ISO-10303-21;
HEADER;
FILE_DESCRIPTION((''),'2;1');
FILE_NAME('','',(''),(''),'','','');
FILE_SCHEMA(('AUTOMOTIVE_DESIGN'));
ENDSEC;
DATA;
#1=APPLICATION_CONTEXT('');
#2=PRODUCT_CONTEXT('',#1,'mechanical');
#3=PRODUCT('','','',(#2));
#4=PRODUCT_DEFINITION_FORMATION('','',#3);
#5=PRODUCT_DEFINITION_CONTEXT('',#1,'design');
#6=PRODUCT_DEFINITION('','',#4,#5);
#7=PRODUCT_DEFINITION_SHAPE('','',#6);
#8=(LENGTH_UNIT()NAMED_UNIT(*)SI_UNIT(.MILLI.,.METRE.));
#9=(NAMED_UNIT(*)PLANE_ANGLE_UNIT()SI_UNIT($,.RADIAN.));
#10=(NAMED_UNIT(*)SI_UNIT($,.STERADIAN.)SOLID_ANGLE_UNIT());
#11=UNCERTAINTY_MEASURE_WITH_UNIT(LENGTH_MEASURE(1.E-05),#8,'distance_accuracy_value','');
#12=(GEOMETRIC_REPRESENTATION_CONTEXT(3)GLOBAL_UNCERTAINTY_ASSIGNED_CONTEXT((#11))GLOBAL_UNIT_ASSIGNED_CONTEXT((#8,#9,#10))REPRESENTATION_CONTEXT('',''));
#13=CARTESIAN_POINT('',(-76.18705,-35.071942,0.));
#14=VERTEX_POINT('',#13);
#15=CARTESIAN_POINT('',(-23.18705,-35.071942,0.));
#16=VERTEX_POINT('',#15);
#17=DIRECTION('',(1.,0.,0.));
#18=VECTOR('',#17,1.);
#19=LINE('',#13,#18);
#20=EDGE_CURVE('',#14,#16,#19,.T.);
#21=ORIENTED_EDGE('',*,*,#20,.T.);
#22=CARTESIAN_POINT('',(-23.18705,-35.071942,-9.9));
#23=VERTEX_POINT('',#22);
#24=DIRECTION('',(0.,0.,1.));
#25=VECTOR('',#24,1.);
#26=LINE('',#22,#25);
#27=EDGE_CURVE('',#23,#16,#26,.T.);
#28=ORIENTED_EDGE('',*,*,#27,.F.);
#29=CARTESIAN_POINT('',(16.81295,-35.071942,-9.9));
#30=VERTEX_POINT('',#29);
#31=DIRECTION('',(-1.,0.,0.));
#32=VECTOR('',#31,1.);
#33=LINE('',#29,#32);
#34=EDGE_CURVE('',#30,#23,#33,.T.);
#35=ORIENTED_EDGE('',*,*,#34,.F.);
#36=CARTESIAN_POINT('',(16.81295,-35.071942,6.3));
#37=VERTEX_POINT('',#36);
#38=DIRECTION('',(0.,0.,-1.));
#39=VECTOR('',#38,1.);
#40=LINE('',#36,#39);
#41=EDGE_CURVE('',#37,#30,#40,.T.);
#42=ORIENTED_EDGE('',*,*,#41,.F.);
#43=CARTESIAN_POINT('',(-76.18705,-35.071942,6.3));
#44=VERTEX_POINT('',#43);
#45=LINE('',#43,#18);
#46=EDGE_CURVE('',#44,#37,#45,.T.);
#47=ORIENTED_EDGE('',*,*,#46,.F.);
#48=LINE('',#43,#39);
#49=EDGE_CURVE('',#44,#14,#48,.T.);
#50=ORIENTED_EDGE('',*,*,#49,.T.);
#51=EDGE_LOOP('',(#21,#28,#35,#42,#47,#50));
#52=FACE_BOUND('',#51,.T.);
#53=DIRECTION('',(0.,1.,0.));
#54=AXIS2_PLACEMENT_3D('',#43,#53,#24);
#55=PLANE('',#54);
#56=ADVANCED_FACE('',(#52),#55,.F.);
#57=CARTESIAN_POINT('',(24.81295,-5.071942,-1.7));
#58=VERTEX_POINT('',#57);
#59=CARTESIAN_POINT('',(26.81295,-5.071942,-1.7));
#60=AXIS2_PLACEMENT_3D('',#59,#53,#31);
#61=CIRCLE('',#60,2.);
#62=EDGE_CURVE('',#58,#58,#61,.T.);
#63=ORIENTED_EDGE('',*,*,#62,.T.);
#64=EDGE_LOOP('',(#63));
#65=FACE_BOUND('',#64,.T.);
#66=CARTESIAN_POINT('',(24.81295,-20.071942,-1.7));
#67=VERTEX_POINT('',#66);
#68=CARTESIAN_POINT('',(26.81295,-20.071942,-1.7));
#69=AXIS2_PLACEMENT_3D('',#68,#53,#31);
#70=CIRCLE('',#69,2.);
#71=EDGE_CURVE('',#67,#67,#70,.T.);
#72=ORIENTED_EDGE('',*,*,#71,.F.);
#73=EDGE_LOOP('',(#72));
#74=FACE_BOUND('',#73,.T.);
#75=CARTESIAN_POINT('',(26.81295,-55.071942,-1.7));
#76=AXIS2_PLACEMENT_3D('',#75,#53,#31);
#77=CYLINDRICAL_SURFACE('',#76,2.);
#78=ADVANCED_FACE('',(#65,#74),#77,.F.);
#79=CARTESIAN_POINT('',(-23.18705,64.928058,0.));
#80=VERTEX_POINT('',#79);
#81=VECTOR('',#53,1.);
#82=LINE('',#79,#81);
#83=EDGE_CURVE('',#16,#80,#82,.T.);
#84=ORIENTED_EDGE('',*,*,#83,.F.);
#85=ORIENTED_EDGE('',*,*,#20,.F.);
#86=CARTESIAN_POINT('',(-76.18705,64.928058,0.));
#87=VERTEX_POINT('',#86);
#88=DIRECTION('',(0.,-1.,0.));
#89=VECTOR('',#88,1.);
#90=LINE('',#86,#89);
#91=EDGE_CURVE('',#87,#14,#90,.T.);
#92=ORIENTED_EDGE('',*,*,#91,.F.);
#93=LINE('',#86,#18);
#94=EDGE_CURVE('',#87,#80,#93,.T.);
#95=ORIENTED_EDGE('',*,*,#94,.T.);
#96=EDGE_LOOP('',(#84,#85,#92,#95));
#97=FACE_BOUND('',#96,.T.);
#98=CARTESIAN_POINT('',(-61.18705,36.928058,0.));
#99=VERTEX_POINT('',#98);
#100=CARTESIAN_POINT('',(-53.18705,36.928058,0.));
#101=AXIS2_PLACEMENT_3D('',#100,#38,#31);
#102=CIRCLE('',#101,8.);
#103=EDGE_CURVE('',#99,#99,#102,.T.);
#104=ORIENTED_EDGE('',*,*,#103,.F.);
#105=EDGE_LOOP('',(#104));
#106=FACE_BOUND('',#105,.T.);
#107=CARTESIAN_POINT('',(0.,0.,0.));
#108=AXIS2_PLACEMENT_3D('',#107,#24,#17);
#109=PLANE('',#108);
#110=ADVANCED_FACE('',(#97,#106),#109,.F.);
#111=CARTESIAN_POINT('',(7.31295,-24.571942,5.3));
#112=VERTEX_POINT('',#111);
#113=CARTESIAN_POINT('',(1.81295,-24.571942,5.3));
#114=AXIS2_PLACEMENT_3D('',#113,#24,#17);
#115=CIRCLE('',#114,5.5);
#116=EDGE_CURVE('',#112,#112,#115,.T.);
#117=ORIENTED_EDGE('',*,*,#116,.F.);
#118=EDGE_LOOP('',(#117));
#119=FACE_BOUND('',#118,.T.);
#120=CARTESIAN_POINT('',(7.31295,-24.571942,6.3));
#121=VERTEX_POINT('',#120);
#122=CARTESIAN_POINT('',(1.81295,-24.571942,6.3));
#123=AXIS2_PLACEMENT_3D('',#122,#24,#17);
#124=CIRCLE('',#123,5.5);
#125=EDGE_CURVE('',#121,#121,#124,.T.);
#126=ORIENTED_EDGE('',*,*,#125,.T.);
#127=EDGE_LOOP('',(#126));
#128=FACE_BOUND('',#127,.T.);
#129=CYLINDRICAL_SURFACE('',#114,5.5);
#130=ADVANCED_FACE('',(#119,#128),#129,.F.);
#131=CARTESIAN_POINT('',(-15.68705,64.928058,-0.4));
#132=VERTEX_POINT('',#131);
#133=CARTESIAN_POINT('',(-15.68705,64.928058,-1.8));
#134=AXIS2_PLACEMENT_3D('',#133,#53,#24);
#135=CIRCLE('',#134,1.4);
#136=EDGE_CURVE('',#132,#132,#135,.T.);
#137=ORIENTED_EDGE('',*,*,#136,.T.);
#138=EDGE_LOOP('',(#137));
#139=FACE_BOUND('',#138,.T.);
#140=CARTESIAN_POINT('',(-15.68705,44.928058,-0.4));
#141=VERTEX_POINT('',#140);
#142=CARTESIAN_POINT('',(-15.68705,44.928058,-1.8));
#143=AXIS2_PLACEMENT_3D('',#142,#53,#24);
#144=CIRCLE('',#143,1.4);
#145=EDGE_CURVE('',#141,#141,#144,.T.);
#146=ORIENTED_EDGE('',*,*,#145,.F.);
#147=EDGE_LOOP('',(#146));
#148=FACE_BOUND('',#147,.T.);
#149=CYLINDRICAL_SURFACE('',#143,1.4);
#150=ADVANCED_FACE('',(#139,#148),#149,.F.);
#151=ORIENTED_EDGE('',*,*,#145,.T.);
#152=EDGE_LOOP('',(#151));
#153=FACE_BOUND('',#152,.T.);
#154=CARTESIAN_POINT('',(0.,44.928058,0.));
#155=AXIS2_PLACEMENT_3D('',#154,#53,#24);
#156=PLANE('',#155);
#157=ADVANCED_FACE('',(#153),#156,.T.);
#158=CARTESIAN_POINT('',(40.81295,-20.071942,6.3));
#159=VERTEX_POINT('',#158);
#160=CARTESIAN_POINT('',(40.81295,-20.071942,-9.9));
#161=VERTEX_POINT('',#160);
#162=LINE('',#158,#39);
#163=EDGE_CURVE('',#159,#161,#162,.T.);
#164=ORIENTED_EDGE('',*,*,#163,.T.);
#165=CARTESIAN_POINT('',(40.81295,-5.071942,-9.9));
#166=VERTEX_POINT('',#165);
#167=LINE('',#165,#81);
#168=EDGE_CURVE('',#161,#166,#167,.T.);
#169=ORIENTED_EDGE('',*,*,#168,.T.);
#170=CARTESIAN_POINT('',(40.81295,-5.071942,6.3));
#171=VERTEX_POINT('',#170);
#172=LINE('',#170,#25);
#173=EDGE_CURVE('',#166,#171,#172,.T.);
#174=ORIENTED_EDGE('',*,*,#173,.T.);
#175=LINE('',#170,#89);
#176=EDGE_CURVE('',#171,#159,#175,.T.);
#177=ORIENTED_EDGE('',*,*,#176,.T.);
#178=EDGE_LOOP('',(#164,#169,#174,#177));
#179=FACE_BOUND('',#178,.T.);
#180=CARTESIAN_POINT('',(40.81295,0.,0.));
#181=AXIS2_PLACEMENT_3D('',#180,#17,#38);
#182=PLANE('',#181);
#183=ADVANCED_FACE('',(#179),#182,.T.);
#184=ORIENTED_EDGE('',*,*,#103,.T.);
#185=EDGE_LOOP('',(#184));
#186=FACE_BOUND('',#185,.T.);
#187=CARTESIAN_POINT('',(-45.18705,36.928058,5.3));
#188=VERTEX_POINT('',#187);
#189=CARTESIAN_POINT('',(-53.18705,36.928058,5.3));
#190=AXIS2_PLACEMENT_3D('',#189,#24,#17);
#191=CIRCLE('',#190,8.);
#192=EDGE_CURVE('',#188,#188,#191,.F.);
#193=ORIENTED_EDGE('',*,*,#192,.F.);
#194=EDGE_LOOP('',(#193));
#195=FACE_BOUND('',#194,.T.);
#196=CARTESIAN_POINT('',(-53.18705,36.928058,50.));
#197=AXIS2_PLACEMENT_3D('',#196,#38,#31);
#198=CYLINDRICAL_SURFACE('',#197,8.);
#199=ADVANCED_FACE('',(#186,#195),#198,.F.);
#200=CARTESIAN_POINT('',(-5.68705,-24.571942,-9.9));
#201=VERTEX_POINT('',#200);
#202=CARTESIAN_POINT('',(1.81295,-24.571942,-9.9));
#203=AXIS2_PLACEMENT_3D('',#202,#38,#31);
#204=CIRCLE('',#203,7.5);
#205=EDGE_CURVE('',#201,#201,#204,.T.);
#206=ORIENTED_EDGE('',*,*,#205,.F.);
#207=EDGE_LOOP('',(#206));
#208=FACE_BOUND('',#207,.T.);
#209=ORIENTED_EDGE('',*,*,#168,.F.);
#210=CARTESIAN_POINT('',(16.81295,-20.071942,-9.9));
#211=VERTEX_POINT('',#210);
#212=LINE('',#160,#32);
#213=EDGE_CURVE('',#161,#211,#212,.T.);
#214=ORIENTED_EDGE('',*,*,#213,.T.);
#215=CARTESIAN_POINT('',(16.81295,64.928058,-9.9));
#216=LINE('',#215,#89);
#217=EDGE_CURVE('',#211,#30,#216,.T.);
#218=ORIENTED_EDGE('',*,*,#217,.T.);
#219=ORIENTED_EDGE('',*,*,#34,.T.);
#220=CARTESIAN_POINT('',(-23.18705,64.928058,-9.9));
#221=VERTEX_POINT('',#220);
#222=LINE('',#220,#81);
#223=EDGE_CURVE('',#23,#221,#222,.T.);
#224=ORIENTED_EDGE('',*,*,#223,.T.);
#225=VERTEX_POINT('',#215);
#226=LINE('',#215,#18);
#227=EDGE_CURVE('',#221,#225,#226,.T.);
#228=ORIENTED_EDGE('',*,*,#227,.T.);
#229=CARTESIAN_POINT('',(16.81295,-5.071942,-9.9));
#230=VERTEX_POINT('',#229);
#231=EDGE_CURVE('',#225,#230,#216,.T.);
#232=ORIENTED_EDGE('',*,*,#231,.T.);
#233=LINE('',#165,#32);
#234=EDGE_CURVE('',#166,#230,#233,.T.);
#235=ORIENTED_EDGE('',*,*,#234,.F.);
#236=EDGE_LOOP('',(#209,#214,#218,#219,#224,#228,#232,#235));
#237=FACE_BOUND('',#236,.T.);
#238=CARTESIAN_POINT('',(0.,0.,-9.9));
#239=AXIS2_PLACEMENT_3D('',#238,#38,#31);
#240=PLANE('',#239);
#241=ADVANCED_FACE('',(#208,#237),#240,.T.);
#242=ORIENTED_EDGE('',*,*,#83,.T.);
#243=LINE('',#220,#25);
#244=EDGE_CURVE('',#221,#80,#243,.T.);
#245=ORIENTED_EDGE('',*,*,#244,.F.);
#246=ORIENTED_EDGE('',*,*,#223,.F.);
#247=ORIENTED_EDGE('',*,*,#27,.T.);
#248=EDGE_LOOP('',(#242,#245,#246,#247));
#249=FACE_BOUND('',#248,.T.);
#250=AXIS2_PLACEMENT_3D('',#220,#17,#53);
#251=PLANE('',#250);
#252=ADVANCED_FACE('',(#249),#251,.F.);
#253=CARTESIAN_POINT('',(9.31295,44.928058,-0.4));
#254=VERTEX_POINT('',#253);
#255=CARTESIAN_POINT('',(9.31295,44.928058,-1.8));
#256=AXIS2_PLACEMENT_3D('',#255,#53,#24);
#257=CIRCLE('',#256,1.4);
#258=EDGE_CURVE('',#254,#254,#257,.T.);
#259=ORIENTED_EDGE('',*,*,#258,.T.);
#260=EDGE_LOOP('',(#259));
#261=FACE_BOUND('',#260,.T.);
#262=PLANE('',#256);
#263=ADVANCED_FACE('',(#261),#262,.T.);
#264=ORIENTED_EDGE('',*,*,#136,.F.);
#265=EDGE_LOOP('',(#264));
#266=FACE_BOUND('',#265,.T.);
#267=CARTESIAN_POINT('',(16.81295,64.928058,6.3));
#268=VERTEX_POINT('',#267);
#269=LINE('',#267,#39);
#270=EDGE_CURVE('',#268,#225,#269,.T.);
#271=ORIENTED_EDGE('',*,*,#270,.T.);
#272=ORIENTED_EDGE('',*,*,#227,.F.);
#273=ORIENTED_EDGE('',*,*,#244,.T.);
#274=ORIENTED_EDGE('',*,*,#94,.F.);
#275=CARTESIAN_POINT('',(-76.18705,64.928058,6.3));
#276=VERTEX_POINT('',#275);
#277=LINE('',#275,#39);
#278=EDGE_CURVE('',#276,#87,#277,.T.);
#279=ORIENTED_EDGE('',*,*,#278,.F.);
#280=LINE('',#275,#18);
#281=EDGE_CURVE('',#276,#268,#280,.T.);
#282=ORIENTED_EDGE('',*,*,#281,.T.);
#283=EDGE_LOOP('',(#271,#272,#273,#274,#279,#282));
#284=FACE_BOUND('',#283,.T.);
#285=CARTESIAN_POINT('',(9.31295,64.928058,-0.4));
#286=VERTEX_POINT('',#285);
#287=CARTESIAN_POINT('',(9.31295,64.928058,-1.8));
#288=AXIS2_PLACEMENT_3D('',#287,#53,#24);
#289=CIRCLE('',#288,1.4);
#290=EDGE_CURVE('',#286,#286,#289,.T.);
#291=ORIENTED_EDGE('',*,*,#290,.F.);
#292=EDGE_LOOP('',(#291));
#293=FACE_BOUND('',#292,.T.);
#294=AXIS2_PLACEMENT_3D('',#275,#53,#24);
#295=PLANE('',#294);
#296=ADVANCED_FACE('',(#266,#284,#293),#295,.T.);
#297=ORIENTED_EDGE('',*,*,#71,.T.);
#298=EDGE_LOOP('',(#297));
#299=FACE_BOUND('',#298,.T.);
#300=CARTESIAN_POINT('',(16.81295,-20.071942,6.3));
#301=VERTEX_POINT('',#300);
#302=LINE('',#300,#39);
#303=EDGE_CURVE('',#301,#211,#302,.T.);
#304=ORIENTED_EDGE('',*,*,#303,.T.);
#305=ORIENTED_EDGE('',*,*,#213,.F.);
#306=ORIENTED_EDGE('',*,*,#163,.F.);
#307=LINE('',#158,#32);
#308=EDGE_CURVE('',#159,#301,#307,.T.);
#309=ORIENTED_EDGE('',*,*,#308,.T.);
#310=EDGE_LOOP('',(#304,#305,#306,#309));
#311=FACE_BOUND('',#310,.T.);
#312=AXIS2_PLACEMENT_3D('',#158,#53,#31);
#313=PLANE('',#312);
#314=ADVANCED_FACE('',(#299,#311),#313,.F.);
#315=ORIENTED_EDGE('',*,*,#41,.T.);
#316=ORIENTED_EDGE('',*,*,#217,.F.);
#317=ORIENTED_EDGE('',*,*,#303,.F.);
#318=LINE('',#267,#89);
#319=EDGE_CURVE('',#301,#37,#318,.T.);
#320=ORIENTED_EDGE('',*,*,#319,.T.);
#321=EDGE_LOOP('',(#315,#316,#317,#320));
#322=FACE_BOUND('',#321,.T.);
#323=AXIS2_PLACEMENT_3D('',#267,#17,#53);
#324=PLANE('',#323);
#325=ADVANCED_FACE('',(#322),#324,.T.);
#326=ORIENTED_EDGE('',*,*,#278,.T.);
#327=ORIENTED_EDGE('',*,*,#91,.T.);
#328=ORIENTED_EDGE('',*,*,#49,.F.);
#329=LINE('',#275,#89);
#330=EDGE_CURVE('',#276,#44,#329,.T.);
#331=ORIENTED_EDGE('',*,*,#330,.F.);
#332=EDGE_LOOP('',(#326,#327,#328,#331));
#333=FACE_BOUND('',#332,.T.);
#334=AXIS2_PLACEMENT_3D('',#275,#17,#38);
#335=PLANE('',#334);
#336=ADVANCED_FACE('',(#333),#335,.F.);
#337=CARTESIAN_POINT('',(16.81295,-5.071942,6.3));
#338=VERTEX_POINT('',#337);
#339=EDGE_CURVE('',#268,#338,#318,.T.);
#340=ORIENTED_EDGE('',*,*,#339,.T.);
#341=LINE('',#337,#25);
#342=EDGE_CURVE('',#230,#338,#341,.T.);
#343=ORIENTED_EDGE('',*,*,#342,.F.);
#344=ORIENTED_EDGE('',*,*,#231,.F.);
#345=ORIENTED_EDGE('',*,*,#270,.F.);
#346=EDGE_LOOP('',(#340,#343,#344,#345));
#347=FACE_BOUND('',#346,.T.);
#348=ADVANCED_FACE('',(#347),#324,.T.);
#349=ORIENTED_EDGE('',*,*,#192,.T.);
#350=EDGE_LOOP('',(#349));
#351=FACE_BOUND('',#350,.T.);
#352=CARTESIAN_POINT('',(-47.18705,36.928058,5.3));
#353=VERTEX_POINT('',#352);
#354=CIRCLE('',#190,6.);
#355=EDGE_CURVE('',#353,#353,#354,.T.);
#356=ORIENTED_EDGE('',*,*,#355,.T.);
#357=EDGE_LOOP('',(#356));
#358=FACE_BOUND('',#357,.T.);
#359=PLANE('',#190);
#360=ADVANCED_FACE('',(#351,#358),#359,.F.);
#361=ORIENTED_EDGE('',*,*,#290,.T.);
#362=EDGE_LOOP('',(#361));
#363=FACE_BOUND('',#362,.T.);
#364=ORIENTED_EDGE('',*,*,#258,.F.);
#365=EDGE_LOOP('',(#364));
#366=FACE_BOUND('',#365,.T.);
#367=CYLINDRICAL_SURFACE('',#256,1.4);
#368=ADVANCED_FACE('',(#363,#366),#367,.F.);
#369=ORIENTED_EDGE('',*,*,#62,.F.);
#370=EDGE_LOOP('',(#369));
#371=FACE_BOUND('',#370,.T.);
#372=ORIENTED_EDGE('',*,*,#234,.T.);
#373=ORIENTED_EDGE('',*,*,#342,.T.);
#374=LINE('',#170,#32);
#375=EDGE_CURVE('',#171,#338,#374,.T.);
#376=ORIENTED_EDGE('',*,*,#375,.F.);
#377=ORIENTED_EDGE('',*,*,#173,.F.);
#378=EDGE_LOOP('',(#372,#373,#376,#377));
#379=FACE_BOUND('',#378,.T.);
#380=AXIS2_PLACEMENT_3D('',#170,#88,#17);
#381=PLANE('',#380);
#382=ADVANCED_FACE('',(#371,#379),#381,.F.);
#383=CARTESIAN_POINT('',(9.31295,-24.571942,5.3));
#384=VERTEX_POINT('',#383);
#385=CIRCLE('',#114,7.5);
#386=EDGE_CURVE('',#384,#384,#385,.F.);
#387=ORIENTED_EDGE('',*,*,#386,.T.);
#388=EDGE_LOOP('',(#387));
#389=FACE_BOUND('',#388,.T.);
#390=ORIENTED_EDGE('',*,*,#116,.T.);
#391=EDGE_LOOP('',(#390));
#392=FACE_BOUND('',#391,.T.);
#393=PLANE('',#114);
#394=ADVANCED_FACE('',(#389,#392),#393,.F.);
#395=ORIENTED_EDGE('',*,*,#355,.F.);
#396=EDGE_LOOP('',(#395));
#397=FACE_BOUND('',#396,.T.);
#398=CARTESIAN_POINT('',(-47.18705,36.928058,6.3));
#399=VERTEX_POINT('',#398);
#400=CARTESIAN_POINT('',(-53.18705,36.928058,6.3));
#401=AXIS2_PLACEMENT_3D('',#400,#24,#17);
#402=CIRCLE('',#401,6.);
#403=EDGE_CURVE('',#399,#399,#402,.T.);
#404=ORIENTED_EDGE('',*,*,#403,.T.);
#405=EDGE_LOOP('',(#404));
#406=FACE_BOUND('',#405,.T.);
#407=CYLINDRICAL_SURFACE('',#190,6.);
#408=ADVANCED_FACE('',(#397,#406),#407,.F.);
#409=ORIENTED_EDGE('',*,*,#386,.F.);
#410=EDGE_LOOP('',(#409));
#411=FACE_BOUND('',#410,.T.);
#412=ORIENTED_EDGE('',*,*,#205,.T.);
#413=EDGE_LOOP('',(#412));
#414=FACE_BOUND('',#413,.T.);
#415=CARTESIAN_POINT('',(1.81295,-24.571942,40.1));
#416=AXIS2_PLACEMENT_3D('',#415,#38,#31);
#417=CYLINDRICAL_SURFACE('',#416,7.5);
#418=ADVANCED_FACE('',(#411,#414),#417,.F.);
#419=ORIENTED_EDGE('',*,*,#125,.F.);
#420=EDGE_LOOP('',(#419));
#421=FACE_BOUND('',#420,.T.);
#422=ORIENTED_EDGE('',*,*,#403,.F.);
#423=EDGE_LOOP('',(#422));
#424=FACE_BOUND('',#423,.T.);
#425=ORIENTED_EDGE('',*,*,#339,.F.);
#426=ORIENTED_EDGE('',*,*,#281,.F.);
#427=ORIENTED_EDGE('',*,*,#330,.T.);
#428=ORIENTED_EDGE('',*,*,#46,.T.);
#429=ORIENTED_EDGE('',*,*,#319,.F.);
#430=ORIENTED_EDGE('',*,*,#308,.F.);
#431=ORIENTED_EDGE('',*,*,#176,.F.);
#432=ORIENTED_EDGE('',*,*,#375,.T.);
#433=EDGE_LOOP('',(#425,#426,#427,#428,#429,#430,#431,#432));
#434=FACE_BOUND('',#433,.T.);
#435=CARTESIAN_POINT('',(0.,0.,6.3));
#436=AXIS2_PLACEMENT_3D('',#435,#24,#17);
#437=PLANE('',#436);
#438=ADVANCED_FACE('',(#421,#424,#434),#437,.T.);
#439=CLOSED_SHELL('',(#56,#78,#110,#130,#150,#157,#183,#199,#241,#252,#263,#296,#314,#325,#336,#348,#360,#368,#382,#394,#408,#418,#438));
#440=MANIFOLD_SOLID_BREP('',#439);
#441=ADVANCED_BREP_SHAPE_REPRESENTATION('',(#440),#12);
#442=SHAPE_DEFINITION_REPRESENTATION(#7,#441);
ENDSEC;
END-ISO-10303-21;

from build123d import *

# Parameters (mm, degrees)
SKETCH1_W           = 93
SKETCH1_H           = 100
BOSS_EXTRUDE2_DEPTH = 6.3
SKETCH3_W           = 40
SKETCH3_H           = 100
BOSS_EXTRUDE3_DEPTH = 9.9
SKETCH4_W           = 16.2
SKETCH4_H           = 15
BOSS_EXTRUDE4_DEPTH = 24
SKETCH5_R           = 2
CUT_EXTRUDE1_DEPTH  = 50
SKETCH6_R           = 7.5
CUT_EXTRUDE2_DEPTH  = 50
SKETCH7_R           = 8
CUT_EXTRUDE3_DEPTH  = 50
EXTRUDE_THIN1_START = -5.3
SKETCH7_2_R         = 8
SKETCH7_2_R_2       = 6
EXTRUDE_THIN1_DEPTH = 1
EXTRUDE_THIN2_START = -15.2
SKETCH6_2_R         = 7.5
SKETCH6_2_R_2       = 5.5
EXTRUDE_THIN2_DEPTH = 1
SKETCH8_R           = 1.4
CUT_EXTRUDE4_DEPTH  = 20


with BuildPart() as part:
    # Sketch1 → Boss-Extrude2 (new body)
    with BuildSketch(Plane.XY):
        with Locations((-29.68705036, 14.928057554)):
            Rectangle(SKETCH1_W, SKETCH1_H)
    extrude(amount=BOSS_EXTRUDE2_DEPTH)

    # Sketch3 → Boss-Extrude3 (add)
    with BuildSketch(Plane(origin=(0, 0, 0), x_dir=(-1, 0, 0), z_dir=(0, 0, -1))):
        with Locations((3.18705036, 14.928057554)):
            Rectangle(SKETCH3_W, SKETCH3_H)
    extrude(amount=BOSS_EXTRUDE3_DEPTH)

    # Sketch4 → Boss-Extrude4 (add)
    with BuildSketch(Plane(origin=(16.81294964, 0, 0), x_dir=(0, 0, -1), z_dir=(1, 0, 0))):
        with Locations((1.8, -12.571942446)):
            Rectangle(SKETCH4_W, SKETCH4_H)
    extrude(amount=BOSS_EXTRUDE4_DEPTH)

    # Sketch5 → Cut-Extrude1 (cut)
    with BuildSketch(Plane(origin=(0, -5.071942446, 0), x_dir=(1, 0, 0), z_dir=(0, 1, 0))):
        with Locations(Location((26.81294964, 1.7, 0), (0, 0, 180))):
            Circle(SKETCH5_R)
    extrude(amount=-CUT_EXTRUDE1_DEPTH, mode=Mode.SUBTRACT)

    # Sketch6 → Cut-Extrude2 (cut)
    with BuildSketch(Plane(origin=(0, 0, -9.9), x_dir=(-1, 0, 0), z_dir=(0, 0, -1))):
        with Locations((-1.81294964, -24.571942446)):
            Circle(SKETCH6_R)
    extrude(amount=-CUT_EXTRUDE2_DEPTH, mode=Mode.SUBTRACT)

    # Sketch7 → Cut-Extrude3 (cut)
    with BuildSketch(Plane(origin=(0, 0, 0), x_dir=(-1, 0, 0), z_dir=(0, 0, -1))):
        with Locations((53.18705036, 36.928057554)):
            Circle(SKETCH7_R)
    extrude(amount=-CUT_EXTRUDE3_DEPTH, mode=Mode.SUBTRACT)

    # Sketch7<2> → Extrude-Thin1 (add)
    with BuildSketch(Plane(origin=(0, 0, 0), x_dir=(-1, 0, 0), z_dir=(0, 0, -1)).offset(EXTRUDE_THIN1_START)):
        with Locations((53.18705036, 36.928057554)):
            Circle(SKETCH7_2_R)
        with Locations((53.18705036, 36.928057554)):
            Circle(SKETCH7_2_R_2, mode=Mode.SUBTRACT)
    extrude(amount=-EXTRUDE_THIN1_DEPTH)

    # Sketch6<2> → Extrude-Thin2 (add)
    with BuildSketch(Plane(origin=(0, 0, -9.9), x_dir=(-1, 0, 0), z_dir=(0, 0, -1)).offset(EXTRUDE_THIN2_START)):
        with Locations((-1.81294964, -24.571942446)):
            Circle(SKETCH6_2_R)
        with Locations((-1.81294964, -24.571942446)):
            Circle(SKETCH6_2_R_2, mode=Mode.SUBTRACT)
    extrude(amount=-EXTRUDE_THIN2_DEPTH)

    # Sketch8 → Cut-Extrude4 (cut)
    with BuildSketch(Plane(origin=(0, 64.928057554, 0), x_dir=(1, 0, 0), z_dir=(0, 1, 0))):
        with Locations(Location((-15.68705036, 1.8, 0), (0, 0, 270))):
            Circle(SKETCH8_R)
        with Locations(Location((9.31294964, 1.8, 0), (0, 0, 270))):
            Circle(SKETCH8_R)
    extrude(amount=-CUT_EXTRUDE4_DEPTH, mode=Mode.SUBTRACT)


solid = part.part
